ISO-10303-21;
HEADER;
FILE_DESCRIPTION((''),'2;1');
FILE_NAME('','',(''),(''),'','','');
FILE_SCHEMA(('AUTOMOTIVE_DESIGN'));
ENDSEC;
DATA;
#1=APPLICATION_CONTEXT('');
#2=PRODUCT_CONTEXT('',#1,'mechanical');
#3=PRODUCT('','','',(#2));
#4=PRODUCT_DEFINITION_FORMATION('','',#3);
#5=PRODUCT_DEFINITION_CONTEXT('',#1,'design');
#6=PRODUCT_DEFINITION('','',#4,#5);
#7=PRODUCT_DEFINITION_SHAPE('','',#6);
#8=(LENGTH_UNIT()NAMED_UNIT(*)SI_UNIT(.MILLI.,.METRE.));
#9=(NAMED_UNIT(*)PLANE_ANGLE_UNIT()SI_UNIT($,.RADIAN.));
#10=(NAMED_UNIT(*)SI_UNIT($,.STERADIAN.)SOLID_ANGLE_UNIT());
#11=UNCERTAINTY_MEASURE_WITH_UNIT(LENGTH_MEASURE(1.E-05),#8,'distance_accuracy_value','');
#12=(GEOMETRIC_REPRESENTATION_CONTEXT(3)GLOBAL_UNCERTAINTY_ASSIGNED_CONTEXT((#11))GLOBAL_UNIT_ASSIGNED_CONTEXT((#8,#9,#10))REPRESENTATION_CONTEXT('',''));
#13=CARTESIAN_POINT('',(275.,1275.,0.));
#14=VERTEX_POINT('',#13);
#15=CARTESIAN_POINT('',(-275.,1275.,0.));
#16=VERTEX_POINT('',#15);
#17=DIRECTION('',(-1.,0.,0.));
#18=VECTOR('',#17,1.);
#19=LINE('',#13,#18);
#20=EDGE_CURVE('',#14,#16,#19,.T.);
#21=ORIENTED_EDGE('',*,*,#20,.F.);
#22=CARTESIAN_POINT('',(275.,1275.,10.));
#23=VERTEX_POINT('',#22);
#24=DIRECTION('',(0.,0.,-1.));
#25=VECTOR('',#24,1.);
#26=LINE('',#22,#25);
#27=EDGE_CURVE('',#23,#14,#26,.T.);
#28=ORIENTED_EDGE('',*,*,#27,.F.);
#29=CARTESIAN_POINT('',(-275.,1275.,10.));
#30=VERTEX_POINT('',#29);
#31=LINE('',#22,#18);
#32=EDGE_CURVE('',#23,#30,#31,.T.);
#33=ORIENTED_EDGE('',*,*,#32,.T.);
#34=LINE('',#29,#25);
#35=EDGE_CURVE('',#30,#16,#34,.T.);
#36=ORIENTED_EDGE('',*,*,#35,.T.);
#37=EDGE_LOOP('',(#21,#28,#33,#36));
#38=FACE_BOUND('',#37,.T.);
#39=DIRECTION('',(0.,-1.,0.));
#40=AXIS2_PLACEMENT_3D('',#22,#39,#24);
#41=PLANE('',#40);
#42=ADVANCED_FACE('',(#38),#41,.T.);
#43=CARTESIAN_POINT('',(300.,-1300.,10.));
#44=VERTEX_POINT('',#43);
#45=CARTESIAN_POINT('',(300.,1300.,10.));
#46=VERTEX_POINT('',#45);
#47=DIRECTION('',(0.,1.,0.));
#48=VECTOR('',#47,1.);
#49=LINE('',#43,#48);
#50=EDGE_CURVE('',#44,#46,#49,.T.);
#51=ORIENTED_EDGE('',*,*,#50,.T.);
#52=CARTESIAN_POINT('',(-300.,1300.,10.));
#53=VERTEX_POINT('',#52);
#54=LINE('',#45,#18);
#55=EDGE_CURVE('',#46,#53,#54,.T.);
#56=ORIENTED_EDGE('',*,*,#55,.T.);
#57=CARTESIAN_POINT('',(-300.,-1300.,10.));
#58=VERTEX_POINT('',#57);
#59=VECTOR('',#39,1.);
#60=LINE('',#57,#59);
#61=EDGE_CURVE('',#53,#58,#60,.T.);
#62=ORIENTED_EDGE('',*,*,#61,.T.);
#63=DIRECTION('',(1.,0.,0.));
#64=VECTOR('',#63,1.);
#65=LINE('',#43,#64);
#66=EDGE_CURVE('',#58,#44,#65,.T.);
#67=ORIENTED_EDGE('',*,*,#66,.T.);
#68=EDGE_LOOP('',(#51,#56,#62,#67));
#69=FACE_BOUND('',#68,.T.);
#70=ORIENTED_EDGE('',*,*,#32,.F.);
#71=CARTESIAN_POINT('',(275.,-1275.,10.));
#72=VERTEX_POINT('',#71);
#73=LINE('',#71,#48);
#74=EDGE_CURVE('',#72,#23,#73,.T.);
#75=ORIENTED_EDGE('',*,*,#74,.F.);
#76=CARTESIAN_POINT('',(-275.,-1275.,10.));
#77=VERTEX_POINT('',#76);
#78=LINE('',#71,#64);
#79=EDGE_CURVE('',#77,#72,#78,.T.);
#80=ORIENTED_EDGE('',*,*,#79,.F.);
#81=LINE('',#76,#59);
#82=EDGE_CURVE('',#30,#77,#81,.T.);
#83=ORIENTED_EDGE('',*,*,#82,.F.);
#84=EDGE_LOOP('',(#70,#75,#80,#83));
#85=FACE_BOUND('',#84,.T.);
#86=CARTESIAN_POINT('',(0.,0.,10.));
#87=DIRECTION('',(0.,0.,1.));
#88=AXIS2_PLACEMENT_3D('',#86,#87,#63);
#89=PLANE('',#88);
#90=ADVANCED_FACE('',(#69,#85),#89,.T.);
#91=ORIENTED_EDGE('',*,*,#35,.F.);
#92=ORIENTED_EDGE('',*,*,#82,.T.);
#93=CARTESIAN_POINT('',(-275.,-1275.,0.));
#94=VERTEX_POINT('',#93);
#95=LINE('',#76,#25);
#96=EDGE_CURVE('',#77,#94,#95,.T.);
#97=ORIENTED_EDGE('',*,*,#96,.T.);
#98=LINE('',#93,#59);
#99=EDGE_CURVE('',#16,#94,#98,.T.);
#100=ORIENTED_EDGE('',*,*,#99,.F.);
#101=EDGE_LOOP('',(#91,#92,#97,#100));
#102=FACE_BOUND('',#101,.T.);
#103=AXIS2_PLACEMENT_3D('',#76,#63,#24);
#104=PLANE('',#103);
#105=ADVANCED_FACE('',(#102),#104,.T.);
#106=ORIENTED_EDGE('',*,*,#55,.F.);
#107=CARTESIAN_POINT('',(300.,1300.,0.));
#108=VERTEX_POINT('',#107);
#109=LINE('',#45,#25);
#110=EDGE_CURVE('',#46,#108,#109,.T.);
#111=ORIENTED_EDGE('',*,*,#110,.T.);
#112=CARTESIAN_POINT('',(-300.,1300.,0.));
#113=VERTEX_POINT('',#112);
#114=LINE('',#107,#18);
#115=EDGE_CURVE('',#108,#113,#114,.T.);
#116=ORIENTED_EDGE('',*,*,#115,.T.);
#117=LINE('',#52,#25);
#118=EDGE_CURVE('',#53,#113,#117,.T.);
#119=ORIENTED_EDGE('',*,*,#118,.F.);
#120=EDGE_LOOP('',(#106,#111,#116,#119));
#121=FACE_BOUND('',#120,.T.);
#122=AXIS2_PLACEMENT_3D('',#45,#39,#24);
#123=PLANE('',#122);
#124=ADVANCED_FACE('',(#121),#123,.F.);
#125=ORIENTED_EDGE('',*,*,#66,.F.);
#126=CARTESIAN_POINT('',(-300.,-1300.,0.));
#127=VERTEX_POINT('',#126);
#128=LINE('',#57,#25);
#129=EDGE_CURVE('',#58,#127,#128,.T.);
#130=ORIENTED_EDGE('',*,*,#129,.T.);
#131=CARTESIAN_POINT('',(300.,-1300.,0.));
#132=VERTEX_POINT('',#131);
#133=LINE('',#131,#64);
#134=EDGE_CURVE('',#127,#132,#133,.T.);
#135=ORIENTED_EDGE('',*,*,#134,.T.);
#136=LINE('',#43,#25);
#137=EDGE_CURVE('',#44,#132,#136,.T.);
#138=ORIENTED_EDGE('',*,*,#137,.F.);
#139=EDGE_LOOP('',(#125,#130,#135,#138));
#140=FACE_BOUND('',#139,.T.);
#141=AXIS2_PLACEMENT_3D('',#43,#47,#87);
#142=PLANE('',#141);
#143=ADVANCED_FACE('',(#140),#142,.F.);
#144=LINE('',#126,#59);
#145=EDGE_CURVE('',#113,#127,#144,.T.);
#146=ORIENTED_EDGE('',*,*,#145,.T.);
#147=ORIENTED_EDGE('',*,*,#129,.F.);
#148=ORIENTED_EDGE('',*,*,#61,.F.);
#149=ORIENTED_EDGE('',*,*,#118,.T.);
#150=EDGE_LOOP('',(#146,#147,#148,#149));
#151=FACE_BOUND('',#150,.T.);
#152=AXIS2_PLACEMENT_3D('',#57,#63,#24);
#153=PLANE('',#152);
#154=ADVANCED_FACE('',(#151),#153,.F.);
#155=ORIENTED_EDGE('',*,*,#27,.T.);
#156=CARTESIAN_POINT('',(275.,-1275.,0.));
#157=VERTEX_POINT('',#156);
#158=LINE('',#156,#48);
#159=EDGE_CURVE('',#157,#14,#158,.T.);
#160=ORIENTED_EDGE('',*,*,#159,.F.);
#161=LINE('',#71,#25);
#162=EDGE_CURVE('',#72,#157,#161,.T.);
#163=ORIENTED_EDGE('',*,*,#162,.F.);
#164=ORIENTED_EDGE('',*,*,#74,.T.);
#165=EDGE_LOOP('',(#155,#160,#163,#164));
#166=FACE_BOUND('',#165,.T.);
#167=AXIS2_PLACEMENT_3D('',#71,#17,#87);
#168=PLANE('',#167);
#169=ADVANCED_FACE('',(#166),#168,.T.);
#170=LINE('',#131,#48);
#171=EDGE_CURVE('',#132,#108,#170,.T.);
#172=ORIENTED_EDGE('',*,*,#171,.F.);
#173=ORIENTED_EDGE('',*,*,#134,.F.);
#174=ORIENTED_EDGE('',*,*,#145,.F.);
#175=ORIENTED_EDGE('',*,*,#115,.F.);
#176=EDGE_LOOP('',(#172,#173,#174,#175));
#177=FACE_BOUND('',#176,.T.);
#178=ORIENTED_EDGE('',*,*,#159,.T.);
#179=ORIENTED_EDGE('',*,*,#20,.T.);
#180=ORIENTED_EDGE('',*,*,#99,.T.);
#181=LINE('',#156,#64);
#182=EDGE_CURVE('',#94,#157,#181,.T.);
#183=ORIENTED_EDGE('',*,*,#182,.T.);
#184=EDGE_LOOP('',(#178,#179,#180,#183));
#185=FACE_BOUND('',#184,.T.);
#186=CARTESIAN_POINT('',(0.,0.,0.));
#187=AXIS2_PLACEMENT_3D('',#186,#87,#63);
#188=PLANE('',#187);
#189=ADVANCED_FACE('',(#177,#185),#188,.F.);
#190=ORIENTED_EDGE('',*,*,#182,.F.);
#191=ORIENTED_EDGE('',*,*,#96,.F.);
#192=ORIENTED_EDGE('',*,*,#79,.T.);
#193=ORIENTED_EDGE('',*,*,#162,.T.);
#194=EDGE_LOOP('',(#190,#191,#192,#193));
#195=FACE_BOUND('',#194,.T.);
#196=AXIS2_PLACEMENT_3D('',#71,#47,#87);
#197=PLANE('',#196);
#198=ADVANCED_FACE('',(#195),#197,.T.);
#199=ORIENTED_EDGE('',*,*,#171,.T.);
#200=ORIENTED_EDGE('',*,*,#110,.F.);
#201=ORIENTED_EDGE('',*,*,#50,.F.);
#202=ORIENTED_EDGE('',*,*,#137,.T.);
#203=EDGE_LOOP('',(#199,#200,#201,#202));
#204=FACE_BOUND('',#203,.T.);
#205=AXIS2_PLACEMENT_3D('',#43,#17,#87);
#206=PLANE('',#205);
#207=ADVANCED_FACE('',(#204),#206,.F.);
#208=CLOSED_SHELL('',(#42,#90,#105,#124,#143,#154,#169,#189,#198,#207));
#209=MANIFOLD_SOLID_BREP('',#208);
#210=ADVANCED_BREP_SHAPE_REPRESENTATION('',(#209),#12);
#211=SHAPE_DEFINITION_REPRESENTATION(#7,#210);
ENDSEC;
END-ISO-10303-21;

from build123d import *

# Parameters (mm, degrees)
SKETCH1_W           = 600
SKETCH1_H           = 2600
SKETCH1_W_2         = 550
SKETCH1_H_2         = 2550
BOSS_EXTRUDE1_DEPTH = 10


with BuildPart() as part:
    # Sketch1 → Boss-Extrude1 (new body)
    with BuildSketch(Plane.XY):
        Rectangle(SKETCH1_W, SKETCH1_H)
        Rectangle(SKETCH1_W_2, SKETCH1_H_2, mode=Mode.SUBTRACT)
    extrude(amount=BOSS_EXTRUDE1_DEPTH)


solid = part.part
